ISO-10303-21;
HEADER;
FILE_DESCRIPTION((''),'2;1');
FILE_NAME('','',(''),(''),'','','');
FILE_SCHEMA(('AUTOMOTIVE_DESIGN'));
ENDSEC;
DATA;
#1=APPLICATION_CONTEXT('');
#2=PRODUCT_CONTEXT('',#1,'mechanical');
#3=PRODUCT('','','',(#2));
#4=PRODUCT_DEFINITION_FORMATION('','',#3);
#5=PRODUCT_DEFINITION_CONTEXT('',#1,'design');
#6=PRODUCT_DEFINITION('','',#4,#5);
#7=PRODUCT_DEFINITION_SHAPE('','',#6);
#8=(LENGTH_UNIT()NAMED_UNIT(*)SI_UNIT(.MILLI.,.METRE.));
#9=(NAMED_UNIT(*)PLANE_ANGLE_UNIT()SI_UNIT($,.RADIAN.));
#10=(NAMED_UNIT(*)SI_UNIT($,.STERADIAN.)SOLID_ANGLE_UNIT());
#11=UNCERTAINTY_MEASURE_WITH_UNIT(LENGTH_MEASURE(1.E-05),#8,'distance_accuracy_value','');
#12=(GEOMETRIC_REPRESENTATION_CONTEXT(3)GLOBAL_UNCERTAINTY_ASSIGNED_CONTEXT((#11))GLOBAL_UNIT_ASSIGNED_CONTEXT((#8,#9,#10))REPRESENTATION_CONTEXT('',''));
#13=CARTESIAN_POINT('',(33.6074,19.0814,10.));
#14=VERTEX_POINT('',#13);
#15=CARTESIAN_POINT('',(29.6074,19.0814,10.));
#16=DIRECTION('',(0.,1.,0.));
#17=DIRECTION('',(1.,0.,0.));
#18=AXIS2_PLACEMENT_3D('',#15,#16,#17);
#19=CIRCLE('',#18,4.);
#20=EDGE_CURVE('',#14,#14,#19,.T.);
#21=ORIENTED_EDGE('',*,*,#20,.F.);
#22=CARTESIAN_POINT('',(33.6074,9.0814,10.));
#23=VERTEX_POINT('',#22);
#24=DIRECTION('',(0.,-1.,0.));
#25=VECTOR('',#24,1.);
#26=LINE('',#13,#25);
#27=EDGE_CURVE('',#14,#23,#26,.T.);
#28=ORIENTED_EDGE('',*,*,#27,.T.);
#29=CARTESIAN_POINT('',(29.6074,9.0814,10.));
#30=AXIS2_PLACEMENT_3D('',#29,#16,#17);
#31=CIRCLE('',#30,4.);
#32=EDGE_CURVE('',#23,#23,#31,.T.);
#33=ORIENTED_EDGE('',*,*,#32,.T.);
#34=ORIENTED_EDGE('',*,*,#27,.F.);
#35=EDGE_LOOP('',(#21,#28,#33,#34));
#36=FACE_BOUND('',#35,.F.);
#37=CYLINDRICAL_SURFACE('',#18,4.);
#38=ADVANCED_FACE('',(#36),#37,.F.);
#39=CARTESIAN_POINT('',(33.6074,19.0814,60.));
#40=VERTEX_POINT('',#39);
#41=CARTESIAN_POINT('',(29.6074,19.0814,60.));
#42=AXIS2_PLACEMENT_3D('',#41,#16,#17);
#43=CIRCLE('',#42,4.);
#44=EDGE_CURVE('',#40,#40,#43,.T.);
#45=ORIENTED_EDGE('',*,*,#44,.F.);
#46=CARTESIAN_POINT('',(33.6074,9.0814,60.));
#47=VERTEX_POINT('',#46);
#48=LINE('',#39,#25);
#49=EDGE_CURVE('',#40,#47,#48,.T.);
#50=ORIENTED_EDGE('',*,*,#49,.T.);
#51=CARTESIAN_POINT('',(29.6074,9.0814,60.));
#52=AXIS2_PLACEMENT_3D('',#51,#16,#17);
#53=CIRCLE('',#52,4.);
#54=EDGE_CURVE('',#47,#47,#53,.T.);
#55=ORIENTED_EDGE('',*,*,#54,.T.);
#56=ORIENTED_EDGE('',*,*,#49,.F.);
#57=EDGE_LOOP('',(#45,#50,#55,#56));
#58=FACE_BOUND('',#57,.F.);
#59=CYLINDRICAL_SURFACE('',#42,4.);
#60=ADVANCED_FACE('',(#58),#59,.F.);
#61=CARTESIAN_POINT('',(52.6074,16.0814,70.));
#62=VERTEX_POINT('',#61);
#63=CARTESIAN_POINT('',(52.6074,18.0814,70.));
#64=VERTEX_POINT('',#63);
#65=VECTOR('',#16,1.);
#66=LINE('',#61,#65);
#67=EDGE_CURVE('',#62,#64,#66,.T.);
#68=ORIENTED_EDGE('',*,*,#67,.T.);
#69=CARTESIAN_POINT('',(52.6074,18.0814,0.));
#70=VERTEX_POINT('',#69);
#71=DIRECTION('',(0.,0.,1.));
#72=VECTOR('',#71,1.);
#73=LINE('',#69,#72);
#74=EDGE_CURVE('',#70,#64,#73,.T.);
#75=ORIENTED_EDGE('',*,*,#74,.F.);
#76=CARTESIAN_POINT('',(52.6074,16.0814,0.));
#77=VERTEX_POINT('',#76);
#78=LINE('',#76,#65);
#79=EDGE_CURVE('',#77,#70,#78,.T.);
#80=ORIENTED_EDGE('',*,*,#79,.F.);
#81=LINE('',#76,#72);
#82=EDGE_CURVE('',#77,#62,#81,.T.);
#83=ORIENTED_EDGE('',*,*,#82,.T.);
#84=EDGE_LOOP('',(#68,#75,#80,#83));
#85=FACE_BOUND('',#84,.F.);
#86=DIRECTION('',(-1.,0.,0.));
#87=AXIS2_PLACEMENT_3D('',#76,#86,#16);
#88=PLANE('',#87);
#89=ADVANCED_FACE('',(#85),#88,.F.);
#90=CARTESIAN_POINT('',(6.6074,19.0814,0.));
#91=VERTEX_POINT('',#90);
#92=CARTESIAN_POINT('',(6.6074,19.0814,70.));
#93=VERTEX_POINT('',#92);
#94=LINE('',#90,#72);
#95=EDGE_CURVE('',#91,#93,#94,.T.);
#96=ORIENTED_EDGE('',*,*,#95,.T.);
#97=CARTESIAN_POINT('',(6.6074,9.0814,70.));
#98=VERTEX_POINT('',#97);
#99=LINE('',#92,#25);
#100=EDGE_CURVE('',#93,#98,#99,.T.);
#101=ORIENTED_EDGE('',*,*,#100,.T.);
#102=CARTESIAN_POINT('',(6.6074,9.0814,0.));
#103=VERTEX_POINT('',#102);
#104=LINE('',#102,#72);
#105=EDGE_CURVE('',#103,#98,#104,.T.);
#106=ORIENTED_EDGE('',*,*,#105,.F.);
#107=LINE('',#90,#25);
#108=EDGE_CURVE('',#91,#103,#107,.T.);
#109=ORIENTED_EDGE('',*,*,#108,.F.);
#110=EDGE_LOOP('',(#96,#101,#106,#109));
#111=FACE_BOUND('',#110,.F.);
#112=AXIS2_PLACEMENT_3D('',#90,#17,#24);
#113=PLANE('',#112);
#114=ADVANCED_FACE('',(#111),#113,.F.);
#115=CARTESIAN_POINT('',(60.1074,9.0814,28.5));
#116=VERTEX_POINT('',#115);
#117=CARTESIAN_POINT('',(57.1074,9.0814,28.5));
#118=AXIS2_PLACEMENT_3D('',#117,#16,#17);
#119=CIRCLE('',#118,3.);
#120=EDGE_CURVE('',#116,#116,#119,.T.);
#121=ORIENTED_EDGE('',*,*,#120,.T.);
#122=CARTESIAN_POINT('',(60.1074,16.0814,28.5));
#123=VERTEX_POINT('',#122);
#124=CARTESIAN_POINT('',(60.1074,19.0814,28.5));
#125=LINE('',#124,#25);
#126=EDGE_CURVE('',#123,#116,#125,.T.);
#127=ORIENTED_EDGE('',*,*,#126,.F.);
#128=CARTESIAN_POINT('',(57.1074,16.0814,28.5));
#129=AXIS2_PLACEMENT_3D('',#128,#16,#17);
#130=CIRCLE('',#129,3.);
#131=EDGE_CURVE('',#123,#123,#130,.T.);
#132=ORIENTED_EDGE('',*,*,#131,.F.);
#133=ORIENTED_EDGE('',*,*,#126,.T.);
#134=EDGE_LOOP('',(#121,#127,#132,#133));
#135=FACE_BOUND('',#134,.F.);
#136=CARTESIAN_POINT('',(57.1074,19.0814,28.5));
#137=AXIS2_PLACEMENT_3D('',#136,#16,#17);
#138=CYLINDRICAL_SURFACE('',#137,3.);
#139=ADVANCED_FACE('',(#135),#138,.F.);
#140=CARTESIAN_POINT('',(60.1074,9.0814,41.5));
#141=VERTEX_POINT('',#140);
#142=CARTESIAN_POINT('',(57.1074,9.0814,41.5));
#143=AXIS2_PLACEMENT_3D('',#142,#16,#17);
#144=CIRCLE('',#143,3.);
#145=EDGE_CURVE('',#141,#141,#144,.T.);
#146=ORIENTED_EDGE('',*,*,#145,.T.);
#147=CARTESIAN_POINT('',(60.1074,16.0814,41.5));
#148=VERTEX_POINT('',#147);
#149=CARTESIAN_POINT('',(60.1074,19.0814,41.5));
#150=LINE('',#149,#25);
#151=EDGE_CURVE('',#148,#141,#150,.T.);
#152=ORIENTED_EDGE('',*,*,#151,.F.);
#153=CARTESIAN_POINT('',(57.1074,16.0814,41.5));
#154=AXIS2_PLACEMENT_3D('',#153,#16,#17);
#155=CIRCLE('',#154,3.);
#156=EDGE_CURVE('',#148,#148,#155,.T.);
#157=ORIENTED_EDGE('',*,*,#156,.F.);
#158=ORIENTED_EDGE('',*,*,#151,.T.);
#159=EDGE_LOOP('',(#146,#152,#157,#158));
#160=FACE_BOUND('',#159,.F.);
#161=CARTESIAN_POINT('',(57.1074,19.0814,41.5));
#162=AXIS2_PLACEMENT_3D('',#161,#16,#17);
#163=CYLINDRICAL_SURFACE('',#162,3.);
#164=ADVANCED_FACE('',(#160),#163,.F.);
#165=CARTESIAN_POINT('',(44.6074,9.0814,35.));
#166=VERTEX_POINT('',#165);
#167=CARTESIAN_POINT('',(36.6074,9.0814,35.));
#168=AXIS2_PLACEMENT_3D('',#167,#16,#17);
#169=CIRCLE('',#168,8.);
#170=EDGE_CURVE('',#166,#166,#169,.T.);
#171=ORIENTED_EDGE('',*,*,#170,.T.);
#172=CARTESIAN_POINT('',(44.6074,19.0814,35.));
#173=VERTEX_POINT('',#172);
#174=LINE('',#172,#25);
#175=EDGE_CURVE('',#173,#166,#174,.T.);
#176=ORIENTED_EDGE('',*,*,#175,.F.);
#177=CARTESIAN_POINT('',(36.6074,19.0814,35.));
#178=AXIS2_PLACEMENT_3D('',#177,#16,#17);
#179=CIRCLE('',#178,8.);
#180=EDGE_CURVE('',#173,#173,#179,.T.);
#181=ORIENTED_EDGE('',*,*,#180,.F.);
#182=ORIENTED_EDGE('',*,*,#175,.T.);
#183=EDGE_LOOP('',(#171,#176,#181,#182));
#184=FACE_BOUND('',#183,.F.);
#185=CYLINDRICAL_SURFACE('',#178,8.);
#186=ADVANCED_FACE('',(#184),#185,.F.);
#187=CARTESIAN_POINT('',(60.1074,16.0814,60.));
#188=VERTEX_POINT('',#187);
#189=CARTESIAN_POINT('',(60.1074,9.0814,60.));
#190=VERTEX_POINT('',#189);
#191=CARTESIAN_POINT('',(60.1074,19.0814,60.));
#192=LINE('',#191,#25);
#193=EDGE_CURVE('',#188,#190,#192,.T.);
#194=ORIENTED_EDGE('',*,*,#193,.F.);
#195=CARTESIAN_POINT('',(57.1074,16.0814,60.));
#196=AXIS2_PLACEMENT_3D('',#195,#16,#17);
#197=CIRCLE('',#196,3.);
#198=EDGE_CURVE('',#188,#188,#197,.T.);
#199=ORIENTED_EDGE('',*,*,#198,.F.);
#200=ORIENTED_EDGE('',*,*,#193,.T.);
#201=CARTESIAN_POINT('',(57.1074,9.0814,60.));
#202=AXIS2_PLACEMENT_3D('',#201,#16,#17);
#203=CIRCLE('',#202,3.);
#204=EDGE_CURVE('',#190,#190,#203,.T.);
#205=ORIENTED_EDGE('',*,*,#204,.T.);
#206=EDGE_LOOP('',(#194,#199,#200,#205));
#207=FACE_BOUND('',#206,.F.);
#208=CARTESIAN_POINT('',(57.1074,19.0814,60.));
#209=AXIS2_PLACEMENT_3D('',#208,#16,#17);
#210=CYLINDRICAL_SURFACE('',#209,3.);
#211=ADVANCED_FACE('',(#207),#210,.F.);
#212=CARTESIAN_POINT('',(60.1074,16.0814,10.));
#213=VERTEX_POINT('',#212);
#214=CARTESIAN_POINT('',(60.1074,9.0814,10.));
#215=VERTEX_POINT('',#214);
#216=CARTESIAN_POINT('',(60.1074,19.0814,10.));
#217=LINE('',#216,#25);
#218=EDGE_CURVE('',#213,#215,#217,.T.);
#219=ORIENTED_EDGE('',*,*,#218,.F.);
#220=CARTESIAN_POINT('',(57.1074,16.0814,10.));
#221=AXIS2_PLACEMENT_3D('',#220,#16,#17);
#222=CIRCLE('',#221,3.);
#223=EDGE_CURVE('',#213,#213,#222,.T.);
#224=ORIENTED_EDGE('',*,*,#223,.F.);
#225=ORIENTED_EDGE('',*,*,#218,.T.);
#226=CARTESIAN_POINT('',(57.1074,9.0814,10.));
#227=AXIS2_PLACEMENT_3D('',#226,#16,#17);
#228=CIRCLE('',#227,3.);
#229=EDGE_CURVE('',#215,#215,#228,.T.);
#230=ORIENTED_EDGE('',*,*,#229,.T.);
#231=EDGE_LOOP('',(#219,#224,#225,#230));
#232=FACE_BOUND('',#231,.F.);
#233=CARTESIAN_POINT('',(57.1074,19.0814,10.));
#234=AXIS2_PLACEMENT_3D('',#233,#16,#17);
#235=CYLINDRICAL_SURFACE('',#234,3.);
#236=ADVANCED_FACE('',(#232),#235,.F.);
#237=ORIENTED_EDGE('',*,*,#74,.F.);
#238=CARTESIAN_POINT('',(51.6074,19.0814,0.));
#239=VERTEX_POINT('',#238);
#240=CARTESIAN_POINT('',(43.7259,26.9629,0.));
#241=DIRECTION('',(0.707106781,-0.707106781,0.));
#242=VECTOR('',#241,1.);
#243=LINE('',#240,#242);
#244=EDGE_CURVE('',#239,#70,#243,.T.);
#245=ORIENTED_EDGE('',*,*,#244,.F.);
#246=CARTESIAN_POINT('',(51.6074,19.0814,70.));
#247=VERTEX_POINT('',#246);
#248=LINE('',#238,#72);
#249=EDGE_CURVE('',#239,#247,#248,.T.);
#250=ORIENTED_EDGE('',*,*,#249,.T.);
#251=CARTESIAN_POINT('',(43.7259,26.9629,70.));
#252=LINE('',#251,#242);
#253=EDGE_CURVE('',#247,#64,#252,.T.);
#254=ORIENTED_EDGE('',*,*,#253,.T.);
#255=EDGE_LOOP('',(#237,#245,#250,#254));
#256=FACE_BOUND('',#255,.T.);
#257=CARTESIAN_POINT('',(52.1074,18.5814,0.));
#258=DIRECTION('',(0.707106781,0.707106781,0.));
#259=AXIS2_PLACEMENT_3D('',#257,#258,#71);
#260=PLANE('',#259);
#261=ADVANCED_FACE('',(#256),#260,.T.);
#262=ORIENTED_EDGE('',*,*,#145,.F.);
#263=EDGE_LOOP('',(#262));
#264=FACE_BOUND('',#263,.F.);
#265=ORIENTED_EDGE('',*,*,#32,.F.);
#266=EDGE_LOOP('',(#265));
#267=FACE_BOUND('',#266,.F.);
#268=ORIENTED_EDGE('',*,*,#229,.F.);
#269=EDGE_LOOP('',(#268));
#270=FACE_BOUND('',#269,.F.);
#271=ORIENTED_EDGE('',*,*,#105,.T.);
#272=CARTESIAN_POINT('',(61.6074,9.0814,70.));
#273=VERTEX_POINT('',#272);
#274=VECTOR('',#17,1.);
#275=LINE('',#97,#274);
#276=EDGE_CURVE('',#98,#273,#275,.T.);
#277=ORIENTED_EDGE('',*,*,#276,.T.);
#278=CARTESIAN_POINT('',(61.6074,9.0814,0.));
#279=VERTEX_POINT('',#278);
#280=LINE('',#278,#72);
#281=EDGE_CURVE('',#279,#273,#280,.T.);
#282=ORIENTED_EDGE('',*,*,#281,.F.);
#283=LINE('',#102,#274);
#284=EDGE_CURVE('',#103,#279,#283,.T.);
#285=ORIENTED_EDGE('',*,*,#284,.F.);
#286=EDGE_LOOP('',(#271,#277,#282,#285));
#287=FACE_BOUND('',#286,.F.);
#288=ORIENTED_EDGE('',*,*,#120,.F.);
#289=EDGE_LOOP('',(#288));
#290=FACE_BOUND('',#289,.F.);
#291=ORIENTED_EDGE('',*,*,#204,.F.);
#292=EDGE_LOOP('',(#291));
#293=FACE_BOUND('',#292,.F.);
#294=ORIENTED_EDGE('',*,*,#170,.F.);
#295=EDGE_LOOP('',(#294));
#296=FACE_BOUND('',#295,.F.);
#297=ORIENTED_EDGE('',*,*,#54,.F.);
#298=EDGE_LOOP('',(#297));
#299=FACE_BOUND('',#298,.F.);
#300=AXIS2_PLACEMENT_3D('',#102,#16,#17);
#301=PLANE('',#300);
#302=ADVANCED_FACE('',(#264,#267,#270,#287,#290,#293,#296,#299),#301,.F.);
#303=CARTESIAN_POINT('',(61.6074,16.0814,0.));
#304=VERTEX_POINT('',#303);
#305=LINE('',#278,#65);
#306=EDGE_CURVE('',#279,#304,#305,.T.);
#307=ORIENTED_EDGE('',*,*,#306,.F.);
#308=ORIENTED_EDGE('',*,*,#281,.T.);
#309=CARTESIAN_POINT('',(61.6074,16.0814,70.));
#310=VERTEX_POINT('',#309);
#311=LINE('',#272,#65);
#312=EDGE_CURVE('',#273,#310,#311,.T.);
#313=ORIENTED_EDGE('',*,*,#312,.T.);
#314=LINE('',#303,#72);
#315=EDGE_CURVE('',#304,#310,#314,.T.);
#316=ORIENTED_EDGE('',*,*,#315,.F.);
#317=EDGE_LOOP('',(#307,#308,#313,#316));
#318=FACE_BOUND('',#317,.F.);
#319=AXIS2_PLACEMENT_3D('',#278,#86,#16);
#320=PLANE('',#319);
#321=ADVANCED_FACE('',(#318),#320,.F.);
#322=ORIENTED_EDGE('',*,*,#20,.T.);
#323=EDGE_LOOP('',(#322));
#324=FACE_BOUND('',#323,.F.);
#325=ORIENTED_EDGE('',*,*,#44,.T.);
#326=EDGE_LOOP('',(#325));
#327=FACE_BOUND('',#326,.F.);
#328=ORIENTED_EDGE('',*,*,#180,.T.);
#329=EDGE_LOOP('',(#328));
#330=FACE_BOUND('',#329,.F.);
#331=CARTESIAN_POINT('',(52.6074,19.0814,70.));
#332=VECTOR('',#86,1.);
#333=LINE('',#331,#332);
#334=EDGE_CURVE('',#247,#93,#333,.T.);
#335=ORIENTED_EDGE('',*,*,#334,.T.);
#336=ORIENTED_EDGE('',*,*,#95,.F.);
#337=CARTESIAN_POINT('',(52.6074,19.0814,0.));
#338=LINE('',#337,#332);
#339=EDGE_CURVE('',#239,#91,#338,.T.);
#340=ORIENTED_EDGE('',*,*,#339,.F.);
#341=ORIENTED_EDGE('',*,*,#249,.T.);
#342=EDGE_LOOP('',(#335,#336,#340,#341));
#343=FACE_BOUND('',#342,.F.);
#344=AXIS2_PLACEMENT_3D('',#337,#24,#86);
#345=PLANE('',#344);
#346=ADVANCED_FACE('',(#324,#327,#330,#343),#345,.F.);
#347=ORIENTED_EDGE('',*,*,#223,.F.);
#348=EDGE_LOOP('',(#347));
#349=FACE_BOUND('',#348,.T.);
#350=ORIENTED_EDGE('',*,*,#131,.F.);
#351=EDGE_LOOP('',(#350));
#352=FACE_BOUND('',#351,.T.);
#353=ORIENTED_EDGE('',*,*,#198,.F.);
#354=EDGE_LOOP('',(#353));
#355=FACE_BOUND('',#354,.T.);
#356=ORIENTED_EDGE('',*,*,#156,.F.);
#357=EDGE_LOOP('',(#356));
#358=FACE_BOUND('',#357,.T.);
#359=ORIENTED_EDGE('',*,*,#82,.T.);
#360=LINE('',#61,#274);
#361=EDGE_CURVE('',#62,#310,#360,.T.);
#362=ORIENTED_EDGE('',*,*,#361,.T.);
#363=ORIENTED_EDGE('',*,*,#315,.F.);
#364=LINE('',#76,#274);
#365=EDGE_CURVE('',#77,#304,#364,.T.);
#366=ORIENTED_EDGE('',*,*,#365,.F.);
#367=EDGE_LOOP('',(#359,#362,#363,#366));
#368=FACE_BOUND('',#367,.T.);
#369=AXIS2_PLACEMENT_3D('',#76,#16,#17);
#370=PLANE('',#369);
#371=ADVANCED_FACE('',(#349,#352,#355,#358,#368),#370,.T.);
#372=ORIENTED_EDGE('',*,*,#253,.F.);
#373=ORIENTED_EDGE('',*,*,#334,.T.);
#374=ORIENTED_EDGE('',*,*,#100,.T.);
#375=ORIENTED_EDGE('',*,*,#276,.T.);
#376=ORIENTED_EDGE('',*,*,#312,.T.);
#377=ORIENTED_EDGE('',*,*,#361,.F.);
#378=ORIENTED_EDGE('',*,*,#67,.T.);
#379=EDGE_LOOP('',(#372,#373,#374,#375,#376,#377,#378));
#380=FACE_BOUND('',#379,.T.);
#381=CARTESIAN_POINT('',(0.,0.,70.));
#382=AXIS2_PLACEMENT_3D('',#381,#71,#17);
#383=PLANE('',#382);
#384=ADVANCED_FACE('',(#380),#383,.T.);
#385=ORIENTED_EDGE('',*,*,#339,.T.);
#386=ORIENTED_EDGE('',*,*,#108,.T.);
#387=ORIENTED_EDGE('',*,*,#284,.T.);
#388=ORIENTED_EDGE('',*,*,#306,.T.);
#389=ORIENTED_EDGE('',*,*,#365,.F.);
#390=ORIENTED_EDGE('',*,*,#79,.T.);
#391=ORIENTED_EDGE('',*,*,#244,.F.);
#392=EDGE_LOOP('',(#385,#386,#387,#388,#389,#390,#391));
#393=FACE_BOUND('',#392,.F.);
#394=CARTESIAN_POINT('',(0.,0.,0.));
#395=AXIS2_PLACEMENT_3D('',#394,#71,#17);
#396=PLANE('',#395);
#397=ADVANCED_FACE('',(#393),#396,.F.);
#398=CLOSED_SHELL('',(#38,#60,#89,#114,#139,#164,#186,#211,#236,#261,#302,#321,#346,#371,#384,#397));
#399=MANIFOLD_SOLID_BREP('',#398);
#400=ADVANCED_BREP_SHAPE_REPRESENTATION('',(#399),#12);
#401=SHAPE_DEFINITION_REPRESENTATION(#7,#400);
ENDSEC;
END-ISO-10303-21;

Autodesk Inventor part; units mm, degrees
ref_plane "YZ Plane" through (0, 0, 0) normal (1, 0, 0) x (0, 1, 0)
ref_plane "XZ Plane" through (0, 0, 0) normal (0, 1, 0) x (-1, 0, 0)
ref_plane "XY Plane" through (0, 0, 0) normal (0, 0, 1) x (1, 0, 0)
sketch "Sketch1" plane through (0, 0, 0) normal (0, 0, 1) x (1, 0, 0)
  line L0 (6.6074, 9.0814) -> (61.6074, 9.0814)
  line L1 (61.6074, 9.0814) -> (61.6074, 16.0814)
  line L2 (52.6074, 19.0814) -> (6.6074, 19.0814)
  line L3 (6.6074, 19.0814) -> (6.6074, 9.0814)
  line L4 (52.6074, 16.0814) -> (52.6074, 19.0814)
  line L5 (52.6074, 16.0814) -> (61.6074, 16.0814)
  dimension "d0" = 55
  dimension "d1" = 7
  dimension "d6" = 9
  dimension "d7" = 3
extrude "Extrusion1" add sketch "Sketch1" along normal blind 70
sketch "Sketch2" plane through (6.6074, 19.0814, 0) normal (0, 1, 0) x (1, 0, 0)
  circle A0 centre (23, -10) radius 4
  circle A1 centre (23, -60) radius 4
  line L0 (46, -70) -> (0, -70) projected
  line L1 (55, 0) -> (55, -70) projected
  line L2 (46, 0) -> (0, 0) projected
  circle A2 centre (30, -35) radius 8
  line L3 (55, 0) -> (55, -70) projected
  circle A3 centre (50.5, -60) radius 3
  line L4 (46, 0) -> (46, -70) projected
  line L5 (55, -70) -> (46, -70) projected
  circle A4 centre (50.5, -41.5) radius 3
  circle A5 centre (50.5, -10) radius 3
  circle A6 centre (50.5, -28.5) radius 3
  line L6 (55, 0) -> (46, 0) projected
  point P0 (-6.6074, 0)
  dimension "d10" = 8
  dimension "d11" = 8
  dimension "d12" = 10
  dimension "d15" = 10
  dimension "d17" = 16
  dimension "d22" = 6
  dimension "d23" = 4.5
  dimension "d24" = 10
  dimension "d30" = 10
  dimension "d33" = 25
  dimension "d34" = 32
  dimension "d35" = 32
  dimension "d36" = 35
  dimension "d37" = 4.5
  dimension "d38" = 4.5
  dimension "d39" = 4.5
  dimension "d40" = 28.5
  dimension "d41" = 28.5
extrude "Extrusion2" cut sketch "Sketch2" against normal blind 30 contours A0 | A1 | A2 | A3 | A4 | A5 | A6
chamfer "Chaflán1" distance 1 angle 45 1 edges at (52.6074, 19.0814, 35)
equation "\"d24\" = d30"
equation "\"d41\" = d40"
properties part number "Piso, Vínculo Cabezal" material "Aluminum 6061"
